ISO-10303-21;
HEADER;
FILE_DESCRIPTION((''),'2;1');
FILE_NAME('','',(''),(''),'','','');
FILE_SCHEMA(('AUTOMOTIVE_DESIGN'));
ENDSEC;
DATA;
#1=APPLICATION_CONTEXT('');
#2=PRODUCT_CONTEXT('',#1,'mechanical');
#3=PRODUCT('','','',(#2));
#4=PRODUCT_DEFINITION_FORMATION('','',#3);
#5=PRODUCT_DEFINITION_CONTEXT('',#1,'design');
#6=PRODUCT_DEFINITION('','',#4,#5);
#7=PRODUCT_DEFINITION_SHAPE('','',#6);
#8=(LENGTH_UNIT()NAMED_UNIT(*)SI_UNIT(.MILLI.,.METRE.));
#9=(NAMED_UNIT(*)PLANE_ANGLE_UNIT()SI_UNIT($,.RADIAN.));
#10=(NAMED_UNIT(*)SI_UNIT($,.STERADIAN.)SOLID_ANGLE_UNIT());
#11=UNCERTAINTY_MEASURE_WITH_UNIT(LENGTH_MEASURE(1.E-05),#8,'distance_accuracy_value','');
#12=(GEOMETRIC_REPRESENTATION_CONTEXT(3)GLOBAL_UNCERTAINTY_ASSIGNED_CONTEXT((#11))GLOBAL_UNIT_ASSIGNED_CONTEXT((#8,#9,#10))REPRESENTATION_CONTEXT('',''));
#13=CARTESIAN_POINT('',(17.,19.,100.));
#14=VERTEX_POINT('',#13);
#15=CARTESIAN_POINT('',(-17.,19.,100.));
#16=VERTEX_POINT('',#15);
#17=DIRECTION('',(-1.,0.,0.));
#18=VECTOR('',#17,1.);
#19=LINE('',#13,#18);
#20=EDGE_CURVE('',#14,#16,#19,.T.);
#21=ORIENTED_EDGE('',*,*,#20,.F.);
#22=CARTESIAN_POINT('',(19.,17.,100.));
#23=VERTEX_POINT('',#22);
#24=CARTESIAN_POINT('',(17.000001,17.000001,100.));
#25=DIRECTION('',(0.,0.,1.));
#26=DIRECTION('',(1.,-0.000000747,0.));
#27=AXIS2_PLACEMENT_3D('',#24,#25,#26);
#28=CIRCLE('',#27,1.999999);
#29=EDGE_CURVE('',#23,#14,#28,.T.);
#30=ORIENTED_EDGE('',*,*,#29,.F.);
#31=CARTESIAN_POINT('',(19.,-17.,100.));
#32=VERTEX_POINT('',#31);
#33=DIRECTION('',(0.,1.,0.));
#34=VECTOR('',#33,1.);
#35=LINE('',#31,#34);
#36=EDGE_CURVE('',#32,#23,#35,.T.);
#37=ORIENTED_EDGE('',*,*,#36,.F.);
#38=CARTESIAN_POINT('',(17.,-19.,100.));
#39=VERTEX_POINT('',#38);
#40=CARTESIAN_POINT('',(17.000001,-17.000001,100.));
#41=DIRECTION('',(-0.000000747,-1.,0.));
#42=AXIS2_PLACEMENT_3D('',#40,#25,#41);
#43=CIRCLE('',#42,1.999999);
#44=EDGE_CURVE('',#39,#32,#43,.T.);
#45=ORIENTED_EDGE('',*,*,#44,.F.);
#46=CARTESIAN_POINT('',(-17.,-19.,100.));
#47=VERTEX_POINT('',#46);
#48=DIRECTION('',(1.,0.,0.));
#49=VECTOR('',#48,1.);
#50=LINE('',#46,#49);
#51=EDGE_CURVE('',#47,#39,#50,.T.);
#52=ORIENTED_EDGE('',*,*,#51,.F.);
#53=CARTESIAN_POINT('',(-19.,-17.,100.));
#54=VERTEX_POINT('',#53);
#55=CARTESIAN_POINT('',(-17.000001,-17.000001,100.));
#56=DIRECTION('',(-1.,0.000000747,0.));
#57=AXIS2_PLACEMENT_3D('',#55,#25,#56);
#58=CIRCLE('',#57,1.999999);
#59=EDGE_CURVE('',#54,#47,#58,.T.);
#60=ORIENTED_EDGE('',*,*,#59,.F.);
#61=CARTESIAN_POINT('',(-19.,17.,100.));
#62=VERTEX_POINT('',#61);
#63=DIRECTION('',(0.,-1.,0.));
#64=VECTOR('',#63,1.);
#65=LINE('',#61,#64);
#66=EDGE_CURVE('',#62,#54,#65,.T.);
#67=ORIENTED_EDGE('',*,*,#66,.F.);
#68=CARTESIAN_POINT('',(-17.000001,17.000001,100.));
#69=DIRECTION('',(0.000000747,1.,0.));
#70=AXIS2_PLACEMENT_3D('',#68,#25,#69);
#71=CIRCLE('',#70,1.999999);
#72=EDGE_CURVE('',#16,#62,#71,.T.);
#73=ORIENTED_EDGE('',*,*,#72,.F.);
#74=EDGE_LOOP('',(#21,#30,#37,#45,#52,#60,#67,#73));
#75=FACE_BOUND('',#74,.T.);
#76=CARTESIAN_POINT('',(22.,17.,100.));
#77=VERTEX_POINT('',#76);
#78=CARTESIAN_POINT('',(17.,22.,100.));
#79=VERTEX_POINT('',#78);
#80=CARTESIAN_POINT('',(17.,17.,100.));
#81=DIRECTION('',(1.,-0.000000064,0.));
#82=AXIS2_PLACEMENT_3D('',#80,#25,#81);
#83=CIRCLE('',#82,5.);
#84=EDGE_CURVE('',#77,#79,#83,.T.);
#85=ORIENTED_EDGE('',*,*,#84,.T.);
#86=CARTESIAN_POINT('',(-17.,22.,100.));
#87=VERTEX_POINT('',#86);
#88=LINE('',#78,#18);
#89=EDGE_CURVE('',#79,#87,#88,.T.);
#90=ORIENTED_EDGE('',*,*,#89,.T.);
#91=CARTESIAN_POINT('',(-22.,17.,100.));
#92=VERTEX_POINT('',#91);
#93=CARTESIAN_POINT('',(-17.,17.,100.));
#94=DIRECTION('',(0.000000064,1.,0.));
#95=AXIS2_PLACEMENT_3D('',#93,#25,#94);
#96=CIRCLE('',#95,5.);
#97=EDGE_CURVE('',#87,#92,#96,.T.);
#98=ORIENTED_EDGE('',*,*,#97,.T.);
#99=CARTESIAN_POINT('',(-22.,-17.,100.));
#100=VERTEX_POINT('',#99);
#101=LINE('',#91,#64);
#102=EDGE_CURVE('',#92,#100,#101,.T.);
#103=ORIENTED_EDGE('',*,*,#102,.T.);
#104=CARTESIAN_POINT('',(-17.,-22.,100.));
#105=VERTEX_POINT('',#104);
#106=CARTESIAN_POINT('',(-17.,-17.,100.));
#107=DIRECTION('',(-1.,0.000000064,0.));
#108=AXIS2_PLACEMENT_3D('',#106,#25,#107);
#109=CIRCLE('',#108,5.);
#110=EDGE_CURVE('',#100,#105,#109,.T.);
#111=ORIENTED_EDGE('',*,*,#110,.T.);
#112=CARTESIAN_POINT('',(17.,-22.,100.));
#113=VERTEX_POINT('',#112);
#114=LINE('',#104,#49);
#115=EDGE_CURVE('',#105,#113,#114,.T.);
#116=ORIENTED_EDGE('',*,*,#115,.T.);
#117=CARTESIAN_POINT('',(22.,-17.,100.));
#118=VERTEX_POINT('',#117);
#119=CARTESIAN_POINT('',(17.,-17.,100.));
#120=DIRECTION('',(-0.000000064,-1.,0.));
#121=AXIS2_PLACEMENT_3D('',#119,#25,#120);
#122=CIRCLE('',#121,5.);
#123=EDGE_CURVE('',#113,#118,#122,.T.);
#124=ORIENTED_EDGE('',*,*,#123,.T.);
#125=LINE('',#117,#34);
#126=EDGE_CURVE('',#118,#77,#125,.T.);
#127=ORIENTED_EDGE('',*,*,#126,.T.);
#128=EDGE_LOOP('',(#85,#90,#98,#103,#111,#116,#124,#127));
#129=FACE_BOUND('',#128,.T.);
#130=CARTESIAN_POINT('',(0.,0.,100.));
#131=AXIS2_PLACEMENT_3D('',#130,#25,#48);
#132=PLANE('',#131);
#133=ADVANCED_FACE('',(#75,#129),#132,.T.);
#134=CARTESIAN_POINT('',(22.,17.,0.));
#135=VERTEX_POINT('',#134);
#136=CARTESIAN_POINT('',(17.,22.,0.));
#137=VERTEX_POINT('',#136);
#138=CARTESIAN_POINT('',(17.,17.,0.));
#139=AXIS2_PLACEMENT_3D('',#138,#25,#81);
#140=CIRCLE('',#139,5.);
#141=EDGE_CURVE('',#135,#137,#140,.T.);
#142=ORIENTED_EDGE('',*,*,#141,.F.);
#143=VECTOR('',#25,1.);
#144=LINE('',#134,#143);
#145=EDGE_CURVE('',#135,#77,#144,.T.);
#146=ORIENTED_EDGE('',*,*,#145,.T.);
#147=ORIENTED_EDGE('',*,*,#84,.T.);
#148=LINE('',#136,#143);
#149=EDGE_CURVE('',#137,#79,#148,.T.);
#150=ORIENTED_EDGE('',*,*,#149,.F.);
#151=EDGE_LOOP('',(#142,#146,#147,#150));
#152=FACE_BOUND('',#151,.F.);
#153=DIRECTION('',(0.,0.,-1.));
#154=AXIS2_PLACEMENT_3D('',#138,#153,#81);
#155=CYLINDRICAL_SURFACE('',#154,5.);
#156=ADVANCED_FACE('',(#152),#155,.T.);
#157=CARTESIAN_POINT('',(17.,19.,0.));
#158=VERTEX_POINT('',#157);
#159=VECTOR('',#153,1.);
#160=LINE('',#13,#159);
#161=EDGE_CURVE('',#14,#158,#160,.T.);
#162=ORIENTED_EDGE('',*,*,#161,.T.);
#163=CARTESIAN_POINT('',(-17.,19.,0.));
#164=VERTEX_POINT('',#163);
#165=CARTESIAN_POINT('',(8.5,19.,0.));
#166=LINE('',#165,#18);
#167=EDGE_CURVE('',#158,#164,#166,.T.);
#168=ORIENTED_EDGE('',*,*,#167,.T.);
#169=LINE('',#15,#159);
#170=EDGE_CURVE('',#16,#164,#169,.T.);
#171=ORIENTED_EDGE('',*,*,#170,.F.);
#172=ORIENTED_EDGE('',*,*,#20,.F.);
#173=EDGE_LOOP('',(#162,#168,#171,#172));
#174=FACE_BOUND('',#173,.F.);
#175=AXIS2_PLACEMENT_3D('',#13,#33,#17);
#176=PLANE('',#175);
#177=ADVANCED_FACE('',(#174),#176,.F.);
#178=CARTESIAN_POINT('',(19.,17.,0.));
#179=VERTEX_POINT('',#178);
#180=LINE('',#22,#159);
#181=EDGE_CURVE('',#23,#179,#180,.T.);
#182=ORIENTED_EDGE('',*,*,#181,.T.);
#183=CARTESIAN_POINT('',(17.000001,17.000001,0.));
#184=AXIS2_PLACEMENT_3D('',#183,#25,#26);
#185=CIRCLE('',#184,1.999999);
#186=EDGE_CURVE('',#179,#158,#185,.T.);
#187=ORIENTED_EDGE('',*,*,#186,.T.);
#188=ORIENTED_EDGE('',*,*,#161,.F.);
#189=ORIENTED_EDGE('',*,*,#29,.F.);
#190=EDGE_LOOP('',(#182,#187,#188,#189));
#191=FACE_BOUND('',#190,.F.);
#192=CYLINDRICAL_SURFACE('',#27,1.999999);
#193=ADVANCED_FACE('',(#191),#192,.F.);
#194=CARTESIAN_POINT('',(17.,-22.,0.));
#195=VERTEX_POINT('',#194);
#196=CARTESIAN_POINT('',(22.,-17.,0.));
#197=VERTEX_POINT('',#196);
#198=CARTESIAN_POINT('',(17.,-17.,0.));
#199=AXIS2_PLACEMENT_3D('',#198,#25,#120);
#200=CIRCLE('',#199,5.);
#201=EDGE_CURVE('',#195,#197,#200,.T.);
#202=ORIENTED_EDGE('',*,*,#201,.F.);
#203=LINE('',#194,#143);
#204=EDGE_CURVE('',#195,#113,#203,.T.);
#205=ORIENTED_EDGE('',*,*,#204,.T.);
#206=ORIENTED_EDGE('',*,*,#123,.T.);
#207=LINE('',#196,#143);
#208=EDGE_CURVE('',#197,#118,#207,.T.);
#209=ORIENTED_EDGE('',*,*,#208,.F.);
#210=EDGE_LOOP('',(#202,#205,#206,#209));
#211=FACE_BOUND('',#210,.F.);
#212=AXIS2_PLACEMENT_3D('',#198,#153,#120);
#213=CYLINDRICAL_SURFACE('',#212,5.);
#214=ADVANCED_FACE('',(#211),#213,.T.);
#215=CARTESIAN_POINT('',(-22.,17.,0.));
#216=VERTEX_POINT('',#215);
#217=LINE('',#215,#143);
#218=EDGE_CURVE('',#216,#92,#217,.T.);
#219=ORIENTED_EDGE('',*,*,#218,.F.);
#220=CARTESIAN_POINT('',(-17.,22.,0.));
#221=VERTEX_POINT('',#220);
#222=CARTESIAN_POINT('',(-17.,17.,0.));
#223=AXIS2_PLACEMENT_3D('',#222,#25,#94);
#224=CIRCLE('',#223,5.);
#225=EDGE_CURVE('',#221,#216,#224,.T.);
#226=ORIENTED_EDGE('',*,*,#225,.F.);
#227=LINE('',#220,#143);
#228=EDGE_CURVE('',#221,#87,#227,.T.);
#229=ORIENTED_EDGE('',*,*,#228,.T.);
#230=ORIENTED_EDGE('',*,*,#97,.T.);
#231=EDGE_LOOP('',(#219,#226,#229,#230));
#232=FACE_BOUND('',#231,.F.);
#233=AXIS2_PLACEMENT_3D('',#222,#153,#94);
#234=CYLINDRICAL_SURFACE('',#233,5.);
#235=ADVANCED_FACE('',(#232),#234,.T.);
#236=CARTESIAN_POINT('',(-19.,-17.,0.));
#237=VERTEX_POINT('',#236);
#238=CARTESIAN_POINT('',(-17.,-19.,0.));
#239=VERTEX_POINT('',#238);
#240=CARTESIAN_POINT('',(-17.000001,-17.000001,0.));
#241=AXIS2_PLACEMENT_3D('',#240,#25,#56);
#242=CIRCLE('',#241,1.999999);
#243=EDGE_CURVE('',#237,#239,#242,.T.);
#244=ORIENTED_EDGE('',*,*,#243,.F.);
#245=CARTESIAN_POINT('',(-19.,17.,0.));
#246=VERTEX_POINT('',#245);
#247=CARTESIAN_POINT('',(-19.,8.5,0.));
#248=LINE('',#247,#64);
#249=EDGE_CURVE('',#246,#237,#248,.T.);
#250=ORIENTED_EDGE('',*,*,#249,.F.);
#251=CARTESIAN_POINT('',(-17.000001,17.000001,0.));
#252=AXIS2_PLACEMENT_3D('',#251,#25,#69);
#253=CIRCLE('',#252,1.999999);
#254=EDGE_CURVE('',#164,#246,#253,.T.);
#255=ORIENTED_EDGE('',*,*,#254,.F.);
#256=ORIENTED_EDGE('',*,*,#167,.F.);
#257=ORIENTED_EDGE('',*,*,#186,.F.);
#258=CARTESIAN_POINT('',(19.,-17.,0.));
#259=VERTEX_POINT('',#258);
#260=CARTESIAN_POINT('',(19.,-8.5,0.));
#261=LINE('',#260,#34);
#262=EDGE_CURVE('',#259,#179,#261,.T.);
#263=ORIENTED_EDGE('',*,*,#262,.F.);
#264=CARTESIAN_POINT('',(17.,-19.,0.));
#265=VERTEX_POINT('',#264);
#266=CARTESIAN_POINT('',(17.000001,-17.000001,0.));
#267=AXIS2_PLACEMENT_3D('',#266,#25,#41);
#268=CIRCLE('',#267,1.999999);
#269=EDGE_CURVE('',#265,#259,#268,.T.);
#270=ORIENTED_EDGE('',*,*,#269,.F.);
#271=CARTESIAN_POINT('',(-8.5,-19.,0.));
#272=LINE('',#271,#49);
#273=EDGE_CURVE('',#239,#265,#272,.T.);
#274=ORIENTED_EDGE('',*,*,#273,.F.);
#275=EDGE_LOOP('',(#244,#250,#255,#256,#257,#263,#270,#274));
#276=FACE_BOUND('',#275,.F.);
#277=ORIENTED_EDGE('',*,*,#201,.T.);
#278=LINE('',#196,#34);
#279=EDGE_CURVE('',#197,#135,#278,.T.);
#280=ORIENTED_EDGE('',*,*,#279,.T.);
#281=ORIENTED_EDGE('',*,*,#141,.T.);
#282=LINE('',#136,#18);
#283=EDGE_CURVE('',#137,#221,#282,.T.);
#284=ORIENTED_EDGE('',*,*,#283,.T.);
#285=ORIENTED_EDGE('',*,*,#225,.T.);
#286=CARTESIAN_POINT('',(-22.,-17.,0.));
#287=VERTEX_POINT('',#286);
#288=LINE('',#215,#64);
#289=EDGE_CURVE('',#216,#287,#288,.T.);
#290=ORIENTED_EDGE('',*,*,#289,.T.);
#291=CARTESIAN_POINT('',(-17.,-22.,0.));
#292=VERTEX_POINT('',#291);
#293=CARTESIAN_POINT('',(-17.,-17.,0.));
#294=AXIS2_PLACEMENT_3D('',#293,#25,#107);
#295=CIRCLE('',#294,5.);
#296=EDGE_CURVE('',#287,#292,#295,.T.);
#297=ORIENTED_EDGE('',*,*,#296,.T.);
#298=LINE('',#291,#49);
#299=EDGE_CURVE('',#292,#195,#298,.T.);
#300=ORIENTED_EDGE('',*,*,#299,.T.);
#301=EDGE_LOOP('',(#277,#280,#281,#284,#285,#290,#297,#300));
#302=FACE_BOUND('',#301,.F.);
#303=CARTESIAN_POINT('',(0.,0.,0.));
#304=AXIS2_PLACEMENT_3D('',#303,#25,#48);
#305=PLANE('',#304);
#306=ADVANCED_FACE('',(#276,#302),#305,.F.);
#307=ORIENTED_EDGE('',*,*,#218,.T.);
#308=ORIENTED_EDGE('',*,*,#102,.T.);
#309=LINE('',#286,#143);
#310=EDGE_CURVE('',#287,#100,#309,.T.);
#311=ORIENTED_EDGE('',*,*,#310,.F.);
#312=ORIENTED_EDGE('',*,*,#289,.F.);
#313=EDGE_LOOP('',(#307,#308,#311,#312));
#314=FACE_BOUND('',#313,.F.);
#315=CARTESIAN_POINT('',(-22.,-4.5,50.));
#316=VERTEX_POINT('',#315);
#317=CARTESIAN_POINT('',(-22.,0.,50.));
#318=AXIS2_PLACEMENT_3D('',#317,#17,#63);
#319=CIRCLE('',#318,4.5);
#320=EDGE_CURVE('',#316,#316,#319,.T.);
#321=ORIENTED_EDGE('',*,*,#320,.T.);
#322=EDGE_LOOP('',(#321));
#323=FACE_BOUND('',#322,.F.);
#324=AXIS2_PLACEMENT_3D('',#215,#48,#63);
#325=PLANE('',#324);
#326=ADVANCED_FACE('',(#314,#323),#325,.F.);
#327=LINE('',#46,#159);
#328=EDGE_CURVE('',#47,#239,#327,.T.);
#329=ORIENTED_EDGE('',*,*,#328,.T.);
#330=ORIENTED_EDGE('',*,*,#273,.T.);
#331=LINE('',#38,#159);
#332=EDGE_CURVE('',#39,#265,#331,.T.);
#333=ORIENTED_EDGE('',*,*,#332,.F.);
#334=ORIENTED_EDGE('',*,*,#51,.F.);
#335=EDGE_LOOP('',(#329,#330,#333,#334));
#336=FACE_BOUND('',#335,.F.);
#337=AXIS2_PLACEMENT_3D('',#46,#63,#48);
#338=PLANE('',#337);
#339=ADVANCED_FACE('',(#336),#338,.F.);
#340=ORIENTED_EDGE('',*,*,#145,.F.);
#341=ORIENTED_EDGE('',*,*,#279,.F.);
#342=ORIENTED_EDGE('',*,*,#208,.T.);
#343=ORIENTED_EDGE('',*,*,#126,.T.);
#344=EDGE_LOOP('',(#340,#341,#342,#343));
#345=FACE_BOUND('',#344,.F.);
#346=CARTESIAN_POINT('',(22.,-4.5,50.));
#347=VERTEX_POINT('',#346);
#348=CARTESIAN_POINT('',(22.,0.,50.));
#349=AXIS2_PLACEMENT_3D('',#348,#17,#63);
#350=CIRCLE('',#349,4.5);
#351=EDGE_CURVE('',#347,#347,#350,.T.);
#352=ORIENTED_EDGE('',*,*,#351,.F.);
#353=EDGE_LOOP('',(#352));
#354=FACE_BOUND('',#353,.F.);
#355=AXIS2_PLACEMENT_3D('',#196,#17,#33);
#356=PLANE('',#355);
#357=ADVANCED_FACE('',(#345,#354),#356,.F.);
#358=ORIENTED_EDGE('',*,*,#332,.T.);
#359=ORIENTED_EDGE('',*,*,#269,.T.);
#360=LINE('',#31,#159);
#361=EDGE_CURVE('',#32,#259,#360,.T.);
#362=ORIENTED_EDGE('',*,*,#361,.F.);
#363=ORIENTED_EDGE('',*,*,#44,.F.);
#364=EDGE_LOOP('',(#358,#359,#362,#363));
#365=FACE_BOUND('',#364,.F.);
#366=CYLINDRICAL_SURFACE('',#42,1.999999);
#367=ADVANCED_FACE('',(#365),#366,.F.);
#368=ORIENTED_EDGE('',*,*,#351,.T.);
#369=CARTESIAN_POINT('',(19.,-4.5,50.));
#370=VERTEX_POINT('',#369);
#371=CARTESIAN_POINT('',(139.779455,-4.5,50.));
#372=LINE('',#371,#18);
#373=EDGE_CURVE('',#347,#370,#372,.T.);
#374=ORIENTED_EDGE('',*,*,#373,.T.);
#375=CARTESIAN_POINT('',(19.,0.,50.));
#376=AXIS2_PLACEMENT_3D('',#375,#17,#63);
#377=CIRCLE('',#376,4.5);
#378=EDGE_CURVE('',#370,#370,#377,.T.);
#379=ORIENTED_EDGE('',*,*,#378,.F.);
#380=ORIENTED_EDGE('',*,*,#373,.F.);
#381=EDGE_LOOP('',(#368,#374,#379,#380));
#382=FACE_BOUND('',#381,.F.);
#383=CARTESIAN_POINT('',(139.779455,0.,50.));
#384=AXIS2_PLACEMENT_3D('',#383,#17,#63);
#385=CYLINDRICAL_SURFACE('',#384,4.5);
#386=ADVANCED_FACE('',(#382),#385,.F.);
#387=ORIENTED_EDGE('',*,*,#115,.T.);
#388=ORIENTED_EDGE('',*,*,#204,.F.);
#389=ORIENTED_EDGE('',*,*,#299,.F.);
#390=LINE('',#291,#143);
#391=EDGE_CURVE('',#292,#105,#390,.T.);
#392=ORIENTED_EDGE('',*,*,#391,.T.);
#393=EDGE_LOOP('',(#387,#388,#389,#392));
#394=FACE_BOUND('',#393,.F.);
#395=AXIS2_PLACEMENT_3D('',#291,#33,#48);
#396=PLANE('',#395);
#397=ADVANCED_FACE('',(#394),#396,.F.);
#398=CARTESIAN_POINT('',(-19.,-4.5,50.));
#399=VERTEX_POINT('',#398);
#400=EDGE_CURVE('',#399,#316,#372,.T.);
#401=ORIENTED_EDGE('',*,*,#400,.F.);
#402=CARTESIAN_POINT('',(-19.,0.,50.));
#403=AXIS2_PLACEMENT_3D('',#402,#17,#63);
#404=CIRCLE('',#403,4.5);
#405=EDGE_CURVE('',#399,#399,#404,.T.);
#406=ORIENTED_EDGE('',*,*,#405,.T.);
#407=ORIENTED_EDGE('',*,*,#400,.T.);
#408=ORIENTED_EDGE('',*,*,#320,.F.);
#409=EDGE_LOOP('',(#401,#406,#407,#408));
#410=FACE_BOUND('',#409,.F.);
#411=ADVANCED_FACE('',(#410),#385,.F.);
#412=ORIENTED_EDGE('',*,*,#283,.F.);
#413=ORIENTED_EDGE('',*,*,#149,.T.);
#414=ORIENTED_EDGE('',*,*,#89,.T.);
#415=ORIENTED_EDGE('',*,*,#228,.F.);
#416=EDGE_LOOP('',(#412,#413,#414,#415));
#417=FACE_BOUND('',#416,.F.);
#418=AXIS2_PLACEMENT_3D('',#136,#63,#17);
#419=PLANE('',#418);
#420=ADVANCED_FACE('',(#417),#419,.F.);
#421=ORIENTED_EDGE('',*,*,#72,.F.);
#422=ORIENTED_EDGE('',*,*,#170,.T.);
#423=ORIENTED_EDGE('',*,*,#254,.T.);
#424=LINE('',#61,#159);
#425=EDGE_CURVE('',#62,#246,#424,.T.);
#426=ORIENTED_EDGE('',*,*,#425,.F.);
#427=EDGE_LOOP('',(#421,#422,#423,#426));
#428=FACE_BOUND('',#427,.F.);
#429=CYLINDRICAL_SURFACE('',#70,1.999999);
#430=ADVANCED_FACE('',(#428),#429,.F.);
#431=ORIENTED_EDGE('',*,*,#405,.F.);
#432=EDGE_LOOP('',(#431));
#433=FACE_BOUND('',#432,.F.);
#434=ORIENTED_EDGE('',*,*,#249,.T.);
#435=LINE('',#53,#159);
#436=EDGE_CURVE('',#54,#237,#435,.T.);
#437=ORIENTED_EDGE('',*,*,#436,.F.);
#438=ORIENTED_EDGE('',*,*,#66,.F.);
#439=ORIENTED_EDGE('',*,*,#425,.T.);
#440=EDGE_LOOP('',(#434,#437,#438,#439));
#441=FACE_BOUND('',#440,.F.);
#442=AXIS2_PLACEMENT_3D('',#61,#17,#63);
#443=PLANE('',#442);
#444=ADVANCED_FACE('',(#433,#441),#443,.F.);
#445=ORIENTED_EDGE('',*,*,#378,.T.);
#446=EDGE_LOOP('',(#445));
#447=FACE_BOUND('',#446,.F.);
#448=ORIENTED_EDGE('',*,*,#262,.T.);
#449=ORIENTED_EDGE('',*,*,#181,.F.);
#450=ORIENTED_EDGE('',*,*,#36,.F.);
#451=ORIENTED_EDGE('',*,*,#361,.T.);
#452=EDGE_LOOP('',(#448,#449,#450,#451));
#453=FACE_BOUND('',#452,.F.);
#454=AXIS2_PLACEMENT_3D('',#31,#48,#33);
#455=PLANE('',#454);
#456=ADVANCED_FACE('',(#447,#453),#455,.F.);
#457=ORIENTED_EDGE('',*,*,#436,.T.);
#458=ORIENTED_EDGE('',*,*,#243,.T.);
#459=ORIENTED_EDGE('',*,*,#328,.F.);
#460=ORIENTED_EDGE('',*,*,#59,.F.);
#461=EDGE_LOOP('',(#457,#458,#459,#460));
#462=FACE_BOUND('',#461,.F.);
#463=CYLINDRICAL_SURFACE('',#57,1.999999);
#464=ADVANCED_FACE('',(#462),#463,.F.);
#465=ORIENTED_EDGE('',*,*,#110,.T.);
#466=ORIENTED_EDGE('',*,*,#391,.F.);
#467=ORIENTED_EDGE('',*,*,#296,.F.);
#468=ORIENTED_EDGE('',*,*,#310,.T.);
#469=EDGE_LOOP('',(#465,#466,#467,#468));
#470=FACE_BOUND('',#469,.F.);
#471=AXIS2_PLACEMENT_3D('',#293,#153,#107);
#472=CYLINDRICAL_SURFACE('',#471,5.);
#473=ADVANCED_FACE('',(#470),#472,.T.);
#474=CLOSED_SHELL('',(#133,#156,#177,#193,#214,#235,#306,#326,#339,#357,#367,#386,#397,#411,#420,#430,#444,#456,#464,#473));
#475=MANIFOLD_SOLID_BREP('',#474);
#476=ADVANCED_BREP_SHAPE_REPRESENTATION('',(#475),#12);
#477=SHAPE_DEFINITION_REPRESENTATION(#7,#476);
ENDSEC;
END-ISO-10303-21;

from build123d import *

# Parameters (mm, degrees)
F1_DEPTH = 100
F3_DEPTH = 100.001
F5_D     = 9


with BuildPart() as f1:
    # F0 (on Top) → F1 (new body)
    with BuildSketch(Plane.XY):
        with BuildLine():
            ThreePointArc((22, 17), (20.535534, 20.535534), (17, 22))
            Line((17, 22), (-17, 22))
            ThreePointArc((-17, 22), (-20.535534, 20.535534), (-22, 17))
            Line((-22, 17), (-22, -17))
            ThreePointArc((-22, -17), (-20.535534, -20.535534), (-17, -22))
            Line((-17, -22), (17, -22))
            ThreePointArc((17, -22), (20.535534, -20.535534), (22, -17))
            Line((22, -17), (22, 17))
        make_face()
    extrude(amount=F1_DEPTH)

    # F2 (on face) → F3 (cut, through all)
    with BuildSketch(Plane.XY.offset(100)):
        with BuildLine():
            ThreePointArc((-19, -17), (-18.414214, -18.414214), (-17, -19))
            Line((-17, -19), (17, -19))
            ThreePointArc((17, -19), (18.414214, -18.414214), (19, -17))
            Line((19, -17), (19, 17))
            ThreePointArc((19, 17), (18.414214, 18.414214), (17, 19))
            Line((17, 19), (-17, 19))
            ThreePointArc((-17, 19), (-18.414214, 18.414214), (-19, 17))
            Line((-19, 17), (-19, -17))
        make_face()
    extrude(amount=-F3_DEPTH, mode=Mode.SUBTRACT)

    # F5 (through all)
    with Locations(Plane.YZ.offset(22)):
        with Locations((0, 50)):
            Hole(F5_D / 2)


solid = f1.part
